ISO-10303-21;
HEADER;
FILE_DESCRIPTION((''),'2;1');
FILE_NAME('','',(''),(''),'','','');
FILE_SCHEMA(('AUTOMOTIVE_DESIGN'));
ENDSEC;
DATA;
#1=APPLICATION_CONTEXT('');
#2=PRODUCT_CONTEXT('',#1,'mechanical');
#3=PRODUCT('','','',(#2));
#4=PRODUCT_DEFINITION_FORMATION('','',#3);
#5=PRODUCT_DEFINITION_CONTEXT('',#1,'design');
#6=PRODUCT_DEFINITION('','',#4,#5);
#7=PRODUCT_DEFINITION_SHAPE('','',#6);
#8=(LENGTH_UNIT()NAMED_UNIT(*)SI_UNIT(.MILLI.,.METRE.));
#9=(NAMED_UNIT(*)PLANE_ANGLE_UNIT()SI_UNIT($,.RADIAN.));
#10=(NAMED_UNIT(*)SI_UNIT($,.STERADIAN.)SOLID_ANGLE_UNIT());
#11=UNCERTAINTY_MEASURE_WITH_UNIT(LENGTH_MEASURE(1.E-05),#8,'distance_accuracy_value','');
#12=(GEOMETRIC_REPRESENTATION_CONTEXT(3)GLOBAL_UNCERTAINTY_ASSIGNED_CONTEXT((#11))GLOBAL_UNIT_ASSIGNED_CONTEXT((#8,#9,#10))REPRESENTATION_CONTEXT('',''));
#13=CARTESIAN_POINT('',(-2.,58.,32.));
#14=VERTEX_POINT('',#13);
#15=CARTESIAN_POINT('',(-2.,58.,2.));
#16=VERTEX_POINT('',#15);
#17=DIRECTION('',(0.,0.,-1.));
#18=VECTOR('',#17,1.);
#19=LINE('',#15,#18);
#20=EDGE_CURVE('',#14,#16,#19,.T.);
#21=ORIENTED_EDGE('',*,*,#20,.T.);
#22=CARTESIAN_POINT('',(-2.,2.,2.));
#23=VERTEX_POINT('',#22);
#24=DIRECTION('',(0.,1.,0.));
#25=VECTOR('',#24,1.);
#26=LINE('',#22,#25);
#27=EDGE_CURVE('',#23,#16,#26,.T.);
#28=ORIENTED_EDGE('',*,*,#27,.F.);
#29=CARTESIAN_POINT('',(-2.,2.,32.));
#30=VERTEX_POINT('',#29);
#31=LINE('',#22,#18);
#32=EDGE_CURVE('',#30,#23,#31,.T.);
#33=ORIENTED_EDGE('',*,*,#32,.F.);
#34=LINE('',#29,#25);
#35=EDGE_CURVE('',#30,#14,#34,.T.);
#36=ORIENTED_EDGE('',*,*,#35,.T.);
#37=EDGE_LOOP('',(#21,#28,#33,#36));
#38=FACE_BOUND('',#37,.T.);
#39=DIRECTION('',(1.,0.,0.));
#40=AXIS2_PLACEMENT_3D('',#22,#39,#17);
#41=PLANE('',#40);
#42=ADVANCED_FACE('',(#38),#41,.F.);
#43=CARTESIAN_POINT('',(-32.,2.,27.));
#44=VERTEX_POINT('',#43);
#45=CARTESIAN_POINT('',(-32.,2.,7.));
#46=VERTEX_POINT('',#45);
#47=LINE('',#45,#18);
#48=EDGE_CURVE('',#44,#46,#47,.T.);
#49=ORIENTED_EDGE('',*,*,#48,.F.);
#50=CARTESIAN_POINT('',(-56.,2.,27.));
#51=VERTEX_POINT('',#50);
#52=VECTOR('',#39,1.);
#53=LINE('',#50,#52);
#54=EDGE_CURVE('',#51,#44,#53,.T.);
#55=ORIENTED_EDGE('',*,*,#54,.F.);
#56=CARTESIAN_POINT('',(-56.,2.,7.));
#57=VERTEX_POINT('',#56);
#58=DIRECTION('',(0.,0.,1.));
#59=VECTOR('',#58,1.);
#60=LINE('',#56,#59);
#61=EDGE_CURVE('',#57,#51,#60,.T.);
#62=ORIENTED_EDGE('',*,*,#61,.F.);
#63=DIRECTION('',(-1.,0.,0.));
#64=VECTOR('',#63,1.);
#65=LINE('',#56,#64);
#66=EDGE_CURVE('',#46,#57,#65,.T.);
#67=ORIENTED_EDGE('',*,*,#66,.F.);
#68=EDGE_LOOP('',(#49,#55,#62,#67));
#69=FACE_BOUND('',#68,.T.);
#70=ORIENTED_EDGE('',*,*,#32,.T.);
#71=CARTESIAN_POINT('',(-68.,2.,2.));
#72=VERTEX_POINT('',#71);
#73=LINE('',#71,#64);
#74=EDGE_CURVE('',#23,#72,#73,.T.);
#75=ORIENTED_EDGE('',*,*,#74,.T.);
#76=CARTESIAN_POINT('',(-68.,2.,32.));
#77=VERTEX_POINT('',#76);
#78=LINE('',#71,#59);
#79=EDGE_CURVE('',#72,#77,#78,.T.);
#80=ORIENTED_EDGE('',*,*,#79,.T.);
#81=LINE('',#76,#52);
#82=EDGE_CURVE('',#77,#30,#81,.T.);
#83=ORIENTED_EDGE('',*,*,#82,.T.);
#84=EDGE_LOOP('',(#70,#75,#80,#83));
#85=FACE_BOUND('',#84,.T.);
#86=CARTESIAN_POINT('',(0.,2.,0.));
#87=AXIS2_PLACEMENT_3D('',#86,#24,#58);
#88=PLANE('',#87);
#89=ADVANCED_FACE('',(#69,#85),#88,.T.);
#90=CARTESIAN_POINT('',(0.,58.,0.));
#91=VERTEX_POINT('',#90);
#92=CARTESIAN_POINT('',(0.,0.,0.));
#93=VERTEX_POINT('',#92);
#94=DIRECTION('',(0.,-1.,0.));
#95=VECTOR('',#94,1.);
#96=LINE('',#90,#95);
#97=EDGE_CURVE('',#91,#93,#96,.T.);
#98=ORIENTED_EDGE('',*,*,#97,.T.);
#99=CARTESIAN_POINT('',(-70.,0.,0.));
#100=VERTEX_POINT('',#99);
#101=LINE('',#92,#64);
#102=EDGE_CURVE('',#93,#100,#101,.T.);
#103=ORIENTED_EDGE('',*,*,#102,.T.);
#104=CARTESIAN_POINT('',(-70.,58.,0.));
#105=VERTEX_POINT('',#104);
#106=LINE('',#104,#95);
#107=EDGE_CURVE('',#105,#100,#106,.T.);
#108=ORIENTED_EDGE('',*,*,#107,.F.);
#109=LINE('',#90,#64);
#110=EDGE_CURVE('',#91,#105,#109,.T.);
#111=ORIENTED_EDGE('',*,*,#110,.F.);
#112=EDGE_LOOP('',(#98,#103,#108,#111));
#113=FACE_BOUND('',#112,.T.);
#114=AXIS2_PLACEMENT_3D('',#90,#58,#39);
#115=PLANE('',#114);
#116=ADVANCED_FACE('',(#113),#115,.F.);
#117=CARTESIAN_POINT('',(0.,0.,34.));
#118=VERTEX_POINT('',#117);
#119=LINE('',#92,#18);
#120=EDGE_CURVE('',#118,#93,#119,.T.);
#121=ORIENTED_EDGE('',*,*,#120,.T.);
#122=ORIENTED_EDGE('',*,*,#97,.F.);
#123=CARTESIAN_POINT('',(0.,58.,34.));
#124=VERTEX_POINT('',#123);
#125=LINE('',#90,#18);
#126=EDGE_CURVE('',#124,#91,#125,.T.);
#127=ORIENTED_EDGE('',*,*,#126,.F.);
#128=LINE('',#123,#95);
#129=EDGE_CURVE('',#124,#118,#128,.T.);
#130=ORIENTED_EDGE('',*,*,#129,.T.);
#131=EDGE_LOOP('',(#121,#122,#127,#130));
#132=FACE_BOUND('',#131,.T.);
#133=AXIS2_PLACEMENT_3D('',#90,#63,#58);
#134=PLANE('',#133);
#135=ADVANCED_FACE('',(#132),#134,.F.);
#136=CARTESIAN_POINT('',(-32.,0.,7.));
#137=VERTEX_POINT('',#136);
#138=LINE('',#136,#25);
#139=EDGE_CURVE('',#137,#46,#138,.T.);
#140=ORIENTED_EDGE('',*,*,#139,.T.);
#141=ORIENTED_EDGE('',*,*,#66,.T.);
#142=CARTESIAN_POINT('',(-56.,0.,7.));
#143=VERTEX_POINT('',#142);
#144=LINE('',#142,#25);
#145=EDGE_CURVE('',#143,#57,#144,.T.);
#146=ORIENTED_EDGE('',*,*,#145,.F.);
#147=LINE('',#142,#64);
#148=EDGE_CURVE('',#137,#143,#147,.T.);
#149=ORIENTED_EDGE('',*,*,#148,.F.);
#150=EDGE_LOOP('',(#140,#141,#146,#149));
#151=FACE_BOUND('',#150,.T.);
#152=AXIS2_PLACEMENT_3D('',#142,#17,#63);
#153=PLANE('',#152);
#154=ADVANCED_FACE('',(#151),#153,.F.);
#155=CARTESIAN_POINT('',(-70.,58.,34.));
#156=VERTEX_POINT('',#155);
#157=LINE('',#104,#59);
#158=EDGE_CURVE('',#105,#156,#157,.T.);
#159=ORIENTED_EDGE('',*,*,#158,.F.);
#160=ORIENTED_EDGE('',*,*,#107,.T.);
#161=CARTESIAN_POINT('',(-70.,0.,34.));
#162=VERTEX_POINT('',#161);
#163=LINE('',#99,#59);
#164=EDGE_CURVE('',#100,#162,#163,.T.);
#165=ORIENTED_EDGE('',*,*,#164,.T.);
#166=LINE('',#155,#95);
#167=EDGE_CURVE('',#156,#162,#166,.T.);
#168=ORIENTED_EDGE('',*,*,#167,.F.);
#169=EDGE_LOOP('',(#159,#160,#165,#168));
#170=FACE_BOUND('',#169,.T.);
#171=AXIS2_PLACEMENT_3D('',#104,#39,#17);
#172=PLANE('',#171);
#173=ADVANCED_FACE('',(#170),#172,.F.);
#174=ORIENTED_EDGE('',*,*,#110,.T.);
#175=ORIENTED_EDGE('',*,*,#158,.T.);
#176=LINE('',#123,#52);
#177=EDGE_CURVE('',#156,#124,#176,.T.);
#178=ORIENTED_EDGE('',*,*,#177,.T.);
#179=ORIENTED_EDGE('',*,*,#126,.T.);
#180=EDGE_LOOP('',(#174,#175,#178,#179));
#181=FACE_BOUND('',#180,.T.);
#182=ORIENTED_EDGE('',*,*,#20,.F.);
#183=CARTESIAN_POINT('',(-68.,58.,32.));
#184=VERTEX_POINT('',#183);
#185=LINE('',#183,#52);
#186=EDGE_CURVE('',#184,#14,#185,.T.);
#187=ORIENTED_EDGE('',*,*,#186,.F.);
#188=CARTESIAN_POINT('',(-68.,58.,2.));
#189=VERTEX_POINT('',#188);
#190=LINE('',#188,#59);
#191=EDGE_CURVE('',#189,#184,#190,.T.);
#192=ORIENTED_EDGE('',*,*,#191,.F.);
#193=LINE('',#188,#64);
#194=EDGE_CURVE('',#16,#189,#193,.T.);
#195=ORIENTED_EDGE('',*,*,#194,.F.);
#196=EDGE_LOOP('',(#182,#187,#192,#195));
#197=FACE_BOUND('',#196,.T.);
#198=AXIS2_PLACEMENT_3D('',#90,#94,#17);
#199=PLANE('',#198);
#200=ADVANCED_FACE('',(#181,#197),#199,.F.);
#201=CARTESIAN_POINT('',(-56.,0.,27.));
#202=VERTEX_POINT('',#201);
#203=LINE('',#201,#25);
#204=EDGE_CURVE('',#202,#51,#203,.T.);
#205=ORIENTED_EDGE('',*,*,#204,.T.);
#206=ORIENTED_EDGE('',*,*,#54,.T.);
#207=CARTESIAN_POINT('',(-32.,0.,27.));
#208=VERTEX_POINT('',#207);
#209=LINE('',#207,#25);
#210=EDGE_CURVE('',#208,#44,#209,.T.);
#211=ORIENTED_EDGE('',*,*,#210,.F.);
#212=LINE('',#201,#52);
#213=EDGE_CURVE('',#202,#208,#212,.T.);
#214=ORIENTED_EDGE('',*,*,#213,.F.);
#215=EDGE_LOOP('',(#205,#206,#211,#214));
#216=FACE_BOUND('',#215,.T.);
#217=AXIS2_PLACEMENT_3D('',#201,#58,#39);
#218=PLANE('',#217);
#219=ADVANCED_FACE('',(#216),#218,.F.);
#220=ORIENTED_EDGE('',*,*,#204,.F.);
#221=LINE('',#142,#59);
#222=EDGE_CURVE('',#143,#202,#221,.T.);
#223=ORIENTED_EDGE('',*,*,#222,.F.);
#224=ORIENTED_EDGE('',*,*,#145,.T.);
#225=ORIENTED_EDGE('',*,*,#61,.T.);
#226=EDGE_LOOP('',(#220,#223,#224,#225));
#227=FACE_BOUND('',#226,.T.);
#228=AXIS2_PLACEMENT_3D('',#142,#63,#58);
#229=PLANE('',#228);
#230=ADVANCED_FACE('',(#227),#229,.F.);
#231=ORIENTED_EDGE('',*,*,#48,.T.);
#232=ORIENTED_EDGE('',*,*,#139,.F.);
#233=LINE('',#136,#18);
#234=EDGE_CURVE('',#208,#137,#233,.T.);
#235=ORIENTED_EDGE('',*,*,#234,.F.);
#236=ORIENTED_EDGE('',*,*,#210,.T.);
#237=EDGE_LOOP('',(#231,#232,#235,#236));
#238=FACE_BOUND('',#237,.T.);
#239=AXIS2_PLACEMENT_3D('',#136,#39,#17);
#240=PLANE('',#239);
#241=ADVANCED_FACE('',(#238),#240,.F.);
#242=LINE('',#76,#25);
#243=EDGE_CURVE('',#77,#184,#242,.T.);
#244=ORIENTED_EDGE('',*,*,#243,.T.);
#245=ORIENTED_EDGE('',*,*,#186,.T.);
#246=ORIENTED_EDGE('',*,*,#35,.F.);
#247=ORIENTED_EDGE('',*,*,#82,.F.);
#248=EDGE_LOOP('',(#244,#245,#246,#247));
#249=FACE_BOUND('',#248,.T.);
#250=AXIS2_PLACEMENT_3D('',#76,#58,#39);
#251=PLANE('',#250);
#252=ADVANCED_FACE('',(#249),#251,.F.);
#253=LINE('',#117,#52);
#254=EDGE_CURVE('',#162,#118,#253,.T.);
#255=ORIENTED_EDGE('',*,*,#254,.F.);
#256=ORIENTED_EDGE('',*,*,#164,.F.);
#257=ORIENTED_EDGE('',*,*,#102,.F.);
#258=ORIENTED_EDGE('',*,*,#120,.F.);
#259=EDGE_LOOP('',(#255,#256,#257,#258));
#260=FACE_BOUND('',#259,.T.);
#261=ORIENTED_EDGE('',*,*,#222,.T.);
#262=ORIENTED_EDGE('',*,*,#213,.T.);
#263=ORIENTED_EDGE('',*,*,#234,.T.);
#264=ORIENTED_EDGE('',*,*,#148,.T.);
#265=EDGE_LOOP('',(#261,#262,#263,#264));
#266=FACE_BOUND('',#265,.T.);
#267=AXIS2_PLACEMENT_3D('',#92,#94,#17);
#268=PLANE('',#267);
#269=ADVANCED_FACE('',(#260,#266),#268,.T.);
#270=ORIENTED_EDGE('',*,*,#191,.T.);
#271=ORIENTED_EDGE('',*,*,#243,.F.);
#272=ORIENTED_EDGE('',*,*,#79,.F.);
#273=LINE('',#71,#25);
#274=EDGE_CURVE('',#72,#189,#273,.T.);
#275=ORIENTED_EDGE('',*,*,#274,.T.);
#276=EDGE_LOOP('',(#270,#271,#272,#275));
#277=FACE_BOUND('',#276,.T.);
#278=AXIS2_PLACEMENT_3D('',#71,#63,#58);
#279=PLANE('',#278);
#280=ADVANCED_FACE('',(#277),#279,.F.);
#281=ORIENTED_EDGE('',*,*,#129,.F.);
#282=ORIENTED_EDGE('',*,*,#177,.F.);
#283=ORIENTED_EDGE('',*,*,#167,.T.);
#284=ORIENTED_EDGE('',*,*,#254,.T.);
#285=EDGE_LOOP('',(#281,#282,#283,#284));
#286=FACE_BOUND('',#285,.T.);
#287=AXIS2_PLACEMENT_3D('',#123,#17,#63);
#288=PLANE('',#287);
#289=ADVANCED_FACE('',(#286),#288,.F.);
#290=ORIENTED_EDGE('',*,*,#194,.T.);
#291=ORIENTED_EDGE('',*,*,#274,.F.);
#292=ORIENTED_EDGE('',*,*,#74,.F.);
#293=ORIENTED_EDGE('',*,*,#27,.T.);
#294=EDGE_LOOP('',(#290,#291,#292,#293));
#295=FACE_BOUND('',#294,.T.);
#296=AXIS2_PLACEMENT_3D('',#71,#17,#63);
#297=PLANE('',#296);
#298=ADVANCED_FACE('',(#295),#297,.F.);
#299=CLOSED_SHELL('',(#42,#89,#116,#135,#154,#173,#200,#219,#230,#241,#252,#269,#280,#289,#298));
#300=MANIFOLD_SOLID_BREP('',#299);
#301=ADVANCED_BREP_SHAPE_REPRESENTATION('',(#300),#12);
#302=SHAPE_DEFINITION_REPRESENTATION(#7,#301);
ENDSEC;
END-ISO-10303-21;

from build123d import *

# Parameters (mm, degrees)
SKETCH1_W           = 70
SKETCH1_H           = 34
BOSS_EXTRUDE2_DEPTH = 58
SKETCH4_W           = 66
SKETCH4_H           = 30
CUT_EXTRUDE1_DEPTH  = 56
SKETCH5_W           = 24
SKETCH5_H           = 20
CUT_EXTRUDE2_DEPTH  = 2


with BuildPart() as part:
    # Sketch1 → Boss-Extrude2 (new body)
    with BuildSketch(Plane(origin=(0, 0, 0), x_dir=(1, 0, 0), z_dir=(0, 1, 0))):
        with Locations((-35, -17)):
            Rectangle(SKETCH1_W, SKETCH1_H)
    extrude(amount=BOSS_EXTRUDE2_DEPTH)

    # Sketch4 → Cut-Extrude1 (cut)
    with BuildSketch(Plane(origin=(0, 58, 0), x_dir=(1, 0, 0), z_dir=(0, 1, 0))):
        with Locations((-35, -17)):
            Rectangle(SKETCH4_W, SKETCH4_H)
    extrude(amount=-CUT_EXTRUDE1_DEPTH, mode=Mode.SUBTRACT)

    # Sketch5 → Cut-Extrude2 (cut)
    with BuildSketch(Plane(origin=(0, 2, 0), x_dir=(1, 0, 0), z_dir=(0, 1, 0))):
        with Locations((-44, -17)):
            Rectangle(SKETCH5_W, SKETCH5_H)
    extrude(amount=-CUT_EXTRUDE2_DEPTH, mode=Mode.SUBTRACT)


solid = part.part
